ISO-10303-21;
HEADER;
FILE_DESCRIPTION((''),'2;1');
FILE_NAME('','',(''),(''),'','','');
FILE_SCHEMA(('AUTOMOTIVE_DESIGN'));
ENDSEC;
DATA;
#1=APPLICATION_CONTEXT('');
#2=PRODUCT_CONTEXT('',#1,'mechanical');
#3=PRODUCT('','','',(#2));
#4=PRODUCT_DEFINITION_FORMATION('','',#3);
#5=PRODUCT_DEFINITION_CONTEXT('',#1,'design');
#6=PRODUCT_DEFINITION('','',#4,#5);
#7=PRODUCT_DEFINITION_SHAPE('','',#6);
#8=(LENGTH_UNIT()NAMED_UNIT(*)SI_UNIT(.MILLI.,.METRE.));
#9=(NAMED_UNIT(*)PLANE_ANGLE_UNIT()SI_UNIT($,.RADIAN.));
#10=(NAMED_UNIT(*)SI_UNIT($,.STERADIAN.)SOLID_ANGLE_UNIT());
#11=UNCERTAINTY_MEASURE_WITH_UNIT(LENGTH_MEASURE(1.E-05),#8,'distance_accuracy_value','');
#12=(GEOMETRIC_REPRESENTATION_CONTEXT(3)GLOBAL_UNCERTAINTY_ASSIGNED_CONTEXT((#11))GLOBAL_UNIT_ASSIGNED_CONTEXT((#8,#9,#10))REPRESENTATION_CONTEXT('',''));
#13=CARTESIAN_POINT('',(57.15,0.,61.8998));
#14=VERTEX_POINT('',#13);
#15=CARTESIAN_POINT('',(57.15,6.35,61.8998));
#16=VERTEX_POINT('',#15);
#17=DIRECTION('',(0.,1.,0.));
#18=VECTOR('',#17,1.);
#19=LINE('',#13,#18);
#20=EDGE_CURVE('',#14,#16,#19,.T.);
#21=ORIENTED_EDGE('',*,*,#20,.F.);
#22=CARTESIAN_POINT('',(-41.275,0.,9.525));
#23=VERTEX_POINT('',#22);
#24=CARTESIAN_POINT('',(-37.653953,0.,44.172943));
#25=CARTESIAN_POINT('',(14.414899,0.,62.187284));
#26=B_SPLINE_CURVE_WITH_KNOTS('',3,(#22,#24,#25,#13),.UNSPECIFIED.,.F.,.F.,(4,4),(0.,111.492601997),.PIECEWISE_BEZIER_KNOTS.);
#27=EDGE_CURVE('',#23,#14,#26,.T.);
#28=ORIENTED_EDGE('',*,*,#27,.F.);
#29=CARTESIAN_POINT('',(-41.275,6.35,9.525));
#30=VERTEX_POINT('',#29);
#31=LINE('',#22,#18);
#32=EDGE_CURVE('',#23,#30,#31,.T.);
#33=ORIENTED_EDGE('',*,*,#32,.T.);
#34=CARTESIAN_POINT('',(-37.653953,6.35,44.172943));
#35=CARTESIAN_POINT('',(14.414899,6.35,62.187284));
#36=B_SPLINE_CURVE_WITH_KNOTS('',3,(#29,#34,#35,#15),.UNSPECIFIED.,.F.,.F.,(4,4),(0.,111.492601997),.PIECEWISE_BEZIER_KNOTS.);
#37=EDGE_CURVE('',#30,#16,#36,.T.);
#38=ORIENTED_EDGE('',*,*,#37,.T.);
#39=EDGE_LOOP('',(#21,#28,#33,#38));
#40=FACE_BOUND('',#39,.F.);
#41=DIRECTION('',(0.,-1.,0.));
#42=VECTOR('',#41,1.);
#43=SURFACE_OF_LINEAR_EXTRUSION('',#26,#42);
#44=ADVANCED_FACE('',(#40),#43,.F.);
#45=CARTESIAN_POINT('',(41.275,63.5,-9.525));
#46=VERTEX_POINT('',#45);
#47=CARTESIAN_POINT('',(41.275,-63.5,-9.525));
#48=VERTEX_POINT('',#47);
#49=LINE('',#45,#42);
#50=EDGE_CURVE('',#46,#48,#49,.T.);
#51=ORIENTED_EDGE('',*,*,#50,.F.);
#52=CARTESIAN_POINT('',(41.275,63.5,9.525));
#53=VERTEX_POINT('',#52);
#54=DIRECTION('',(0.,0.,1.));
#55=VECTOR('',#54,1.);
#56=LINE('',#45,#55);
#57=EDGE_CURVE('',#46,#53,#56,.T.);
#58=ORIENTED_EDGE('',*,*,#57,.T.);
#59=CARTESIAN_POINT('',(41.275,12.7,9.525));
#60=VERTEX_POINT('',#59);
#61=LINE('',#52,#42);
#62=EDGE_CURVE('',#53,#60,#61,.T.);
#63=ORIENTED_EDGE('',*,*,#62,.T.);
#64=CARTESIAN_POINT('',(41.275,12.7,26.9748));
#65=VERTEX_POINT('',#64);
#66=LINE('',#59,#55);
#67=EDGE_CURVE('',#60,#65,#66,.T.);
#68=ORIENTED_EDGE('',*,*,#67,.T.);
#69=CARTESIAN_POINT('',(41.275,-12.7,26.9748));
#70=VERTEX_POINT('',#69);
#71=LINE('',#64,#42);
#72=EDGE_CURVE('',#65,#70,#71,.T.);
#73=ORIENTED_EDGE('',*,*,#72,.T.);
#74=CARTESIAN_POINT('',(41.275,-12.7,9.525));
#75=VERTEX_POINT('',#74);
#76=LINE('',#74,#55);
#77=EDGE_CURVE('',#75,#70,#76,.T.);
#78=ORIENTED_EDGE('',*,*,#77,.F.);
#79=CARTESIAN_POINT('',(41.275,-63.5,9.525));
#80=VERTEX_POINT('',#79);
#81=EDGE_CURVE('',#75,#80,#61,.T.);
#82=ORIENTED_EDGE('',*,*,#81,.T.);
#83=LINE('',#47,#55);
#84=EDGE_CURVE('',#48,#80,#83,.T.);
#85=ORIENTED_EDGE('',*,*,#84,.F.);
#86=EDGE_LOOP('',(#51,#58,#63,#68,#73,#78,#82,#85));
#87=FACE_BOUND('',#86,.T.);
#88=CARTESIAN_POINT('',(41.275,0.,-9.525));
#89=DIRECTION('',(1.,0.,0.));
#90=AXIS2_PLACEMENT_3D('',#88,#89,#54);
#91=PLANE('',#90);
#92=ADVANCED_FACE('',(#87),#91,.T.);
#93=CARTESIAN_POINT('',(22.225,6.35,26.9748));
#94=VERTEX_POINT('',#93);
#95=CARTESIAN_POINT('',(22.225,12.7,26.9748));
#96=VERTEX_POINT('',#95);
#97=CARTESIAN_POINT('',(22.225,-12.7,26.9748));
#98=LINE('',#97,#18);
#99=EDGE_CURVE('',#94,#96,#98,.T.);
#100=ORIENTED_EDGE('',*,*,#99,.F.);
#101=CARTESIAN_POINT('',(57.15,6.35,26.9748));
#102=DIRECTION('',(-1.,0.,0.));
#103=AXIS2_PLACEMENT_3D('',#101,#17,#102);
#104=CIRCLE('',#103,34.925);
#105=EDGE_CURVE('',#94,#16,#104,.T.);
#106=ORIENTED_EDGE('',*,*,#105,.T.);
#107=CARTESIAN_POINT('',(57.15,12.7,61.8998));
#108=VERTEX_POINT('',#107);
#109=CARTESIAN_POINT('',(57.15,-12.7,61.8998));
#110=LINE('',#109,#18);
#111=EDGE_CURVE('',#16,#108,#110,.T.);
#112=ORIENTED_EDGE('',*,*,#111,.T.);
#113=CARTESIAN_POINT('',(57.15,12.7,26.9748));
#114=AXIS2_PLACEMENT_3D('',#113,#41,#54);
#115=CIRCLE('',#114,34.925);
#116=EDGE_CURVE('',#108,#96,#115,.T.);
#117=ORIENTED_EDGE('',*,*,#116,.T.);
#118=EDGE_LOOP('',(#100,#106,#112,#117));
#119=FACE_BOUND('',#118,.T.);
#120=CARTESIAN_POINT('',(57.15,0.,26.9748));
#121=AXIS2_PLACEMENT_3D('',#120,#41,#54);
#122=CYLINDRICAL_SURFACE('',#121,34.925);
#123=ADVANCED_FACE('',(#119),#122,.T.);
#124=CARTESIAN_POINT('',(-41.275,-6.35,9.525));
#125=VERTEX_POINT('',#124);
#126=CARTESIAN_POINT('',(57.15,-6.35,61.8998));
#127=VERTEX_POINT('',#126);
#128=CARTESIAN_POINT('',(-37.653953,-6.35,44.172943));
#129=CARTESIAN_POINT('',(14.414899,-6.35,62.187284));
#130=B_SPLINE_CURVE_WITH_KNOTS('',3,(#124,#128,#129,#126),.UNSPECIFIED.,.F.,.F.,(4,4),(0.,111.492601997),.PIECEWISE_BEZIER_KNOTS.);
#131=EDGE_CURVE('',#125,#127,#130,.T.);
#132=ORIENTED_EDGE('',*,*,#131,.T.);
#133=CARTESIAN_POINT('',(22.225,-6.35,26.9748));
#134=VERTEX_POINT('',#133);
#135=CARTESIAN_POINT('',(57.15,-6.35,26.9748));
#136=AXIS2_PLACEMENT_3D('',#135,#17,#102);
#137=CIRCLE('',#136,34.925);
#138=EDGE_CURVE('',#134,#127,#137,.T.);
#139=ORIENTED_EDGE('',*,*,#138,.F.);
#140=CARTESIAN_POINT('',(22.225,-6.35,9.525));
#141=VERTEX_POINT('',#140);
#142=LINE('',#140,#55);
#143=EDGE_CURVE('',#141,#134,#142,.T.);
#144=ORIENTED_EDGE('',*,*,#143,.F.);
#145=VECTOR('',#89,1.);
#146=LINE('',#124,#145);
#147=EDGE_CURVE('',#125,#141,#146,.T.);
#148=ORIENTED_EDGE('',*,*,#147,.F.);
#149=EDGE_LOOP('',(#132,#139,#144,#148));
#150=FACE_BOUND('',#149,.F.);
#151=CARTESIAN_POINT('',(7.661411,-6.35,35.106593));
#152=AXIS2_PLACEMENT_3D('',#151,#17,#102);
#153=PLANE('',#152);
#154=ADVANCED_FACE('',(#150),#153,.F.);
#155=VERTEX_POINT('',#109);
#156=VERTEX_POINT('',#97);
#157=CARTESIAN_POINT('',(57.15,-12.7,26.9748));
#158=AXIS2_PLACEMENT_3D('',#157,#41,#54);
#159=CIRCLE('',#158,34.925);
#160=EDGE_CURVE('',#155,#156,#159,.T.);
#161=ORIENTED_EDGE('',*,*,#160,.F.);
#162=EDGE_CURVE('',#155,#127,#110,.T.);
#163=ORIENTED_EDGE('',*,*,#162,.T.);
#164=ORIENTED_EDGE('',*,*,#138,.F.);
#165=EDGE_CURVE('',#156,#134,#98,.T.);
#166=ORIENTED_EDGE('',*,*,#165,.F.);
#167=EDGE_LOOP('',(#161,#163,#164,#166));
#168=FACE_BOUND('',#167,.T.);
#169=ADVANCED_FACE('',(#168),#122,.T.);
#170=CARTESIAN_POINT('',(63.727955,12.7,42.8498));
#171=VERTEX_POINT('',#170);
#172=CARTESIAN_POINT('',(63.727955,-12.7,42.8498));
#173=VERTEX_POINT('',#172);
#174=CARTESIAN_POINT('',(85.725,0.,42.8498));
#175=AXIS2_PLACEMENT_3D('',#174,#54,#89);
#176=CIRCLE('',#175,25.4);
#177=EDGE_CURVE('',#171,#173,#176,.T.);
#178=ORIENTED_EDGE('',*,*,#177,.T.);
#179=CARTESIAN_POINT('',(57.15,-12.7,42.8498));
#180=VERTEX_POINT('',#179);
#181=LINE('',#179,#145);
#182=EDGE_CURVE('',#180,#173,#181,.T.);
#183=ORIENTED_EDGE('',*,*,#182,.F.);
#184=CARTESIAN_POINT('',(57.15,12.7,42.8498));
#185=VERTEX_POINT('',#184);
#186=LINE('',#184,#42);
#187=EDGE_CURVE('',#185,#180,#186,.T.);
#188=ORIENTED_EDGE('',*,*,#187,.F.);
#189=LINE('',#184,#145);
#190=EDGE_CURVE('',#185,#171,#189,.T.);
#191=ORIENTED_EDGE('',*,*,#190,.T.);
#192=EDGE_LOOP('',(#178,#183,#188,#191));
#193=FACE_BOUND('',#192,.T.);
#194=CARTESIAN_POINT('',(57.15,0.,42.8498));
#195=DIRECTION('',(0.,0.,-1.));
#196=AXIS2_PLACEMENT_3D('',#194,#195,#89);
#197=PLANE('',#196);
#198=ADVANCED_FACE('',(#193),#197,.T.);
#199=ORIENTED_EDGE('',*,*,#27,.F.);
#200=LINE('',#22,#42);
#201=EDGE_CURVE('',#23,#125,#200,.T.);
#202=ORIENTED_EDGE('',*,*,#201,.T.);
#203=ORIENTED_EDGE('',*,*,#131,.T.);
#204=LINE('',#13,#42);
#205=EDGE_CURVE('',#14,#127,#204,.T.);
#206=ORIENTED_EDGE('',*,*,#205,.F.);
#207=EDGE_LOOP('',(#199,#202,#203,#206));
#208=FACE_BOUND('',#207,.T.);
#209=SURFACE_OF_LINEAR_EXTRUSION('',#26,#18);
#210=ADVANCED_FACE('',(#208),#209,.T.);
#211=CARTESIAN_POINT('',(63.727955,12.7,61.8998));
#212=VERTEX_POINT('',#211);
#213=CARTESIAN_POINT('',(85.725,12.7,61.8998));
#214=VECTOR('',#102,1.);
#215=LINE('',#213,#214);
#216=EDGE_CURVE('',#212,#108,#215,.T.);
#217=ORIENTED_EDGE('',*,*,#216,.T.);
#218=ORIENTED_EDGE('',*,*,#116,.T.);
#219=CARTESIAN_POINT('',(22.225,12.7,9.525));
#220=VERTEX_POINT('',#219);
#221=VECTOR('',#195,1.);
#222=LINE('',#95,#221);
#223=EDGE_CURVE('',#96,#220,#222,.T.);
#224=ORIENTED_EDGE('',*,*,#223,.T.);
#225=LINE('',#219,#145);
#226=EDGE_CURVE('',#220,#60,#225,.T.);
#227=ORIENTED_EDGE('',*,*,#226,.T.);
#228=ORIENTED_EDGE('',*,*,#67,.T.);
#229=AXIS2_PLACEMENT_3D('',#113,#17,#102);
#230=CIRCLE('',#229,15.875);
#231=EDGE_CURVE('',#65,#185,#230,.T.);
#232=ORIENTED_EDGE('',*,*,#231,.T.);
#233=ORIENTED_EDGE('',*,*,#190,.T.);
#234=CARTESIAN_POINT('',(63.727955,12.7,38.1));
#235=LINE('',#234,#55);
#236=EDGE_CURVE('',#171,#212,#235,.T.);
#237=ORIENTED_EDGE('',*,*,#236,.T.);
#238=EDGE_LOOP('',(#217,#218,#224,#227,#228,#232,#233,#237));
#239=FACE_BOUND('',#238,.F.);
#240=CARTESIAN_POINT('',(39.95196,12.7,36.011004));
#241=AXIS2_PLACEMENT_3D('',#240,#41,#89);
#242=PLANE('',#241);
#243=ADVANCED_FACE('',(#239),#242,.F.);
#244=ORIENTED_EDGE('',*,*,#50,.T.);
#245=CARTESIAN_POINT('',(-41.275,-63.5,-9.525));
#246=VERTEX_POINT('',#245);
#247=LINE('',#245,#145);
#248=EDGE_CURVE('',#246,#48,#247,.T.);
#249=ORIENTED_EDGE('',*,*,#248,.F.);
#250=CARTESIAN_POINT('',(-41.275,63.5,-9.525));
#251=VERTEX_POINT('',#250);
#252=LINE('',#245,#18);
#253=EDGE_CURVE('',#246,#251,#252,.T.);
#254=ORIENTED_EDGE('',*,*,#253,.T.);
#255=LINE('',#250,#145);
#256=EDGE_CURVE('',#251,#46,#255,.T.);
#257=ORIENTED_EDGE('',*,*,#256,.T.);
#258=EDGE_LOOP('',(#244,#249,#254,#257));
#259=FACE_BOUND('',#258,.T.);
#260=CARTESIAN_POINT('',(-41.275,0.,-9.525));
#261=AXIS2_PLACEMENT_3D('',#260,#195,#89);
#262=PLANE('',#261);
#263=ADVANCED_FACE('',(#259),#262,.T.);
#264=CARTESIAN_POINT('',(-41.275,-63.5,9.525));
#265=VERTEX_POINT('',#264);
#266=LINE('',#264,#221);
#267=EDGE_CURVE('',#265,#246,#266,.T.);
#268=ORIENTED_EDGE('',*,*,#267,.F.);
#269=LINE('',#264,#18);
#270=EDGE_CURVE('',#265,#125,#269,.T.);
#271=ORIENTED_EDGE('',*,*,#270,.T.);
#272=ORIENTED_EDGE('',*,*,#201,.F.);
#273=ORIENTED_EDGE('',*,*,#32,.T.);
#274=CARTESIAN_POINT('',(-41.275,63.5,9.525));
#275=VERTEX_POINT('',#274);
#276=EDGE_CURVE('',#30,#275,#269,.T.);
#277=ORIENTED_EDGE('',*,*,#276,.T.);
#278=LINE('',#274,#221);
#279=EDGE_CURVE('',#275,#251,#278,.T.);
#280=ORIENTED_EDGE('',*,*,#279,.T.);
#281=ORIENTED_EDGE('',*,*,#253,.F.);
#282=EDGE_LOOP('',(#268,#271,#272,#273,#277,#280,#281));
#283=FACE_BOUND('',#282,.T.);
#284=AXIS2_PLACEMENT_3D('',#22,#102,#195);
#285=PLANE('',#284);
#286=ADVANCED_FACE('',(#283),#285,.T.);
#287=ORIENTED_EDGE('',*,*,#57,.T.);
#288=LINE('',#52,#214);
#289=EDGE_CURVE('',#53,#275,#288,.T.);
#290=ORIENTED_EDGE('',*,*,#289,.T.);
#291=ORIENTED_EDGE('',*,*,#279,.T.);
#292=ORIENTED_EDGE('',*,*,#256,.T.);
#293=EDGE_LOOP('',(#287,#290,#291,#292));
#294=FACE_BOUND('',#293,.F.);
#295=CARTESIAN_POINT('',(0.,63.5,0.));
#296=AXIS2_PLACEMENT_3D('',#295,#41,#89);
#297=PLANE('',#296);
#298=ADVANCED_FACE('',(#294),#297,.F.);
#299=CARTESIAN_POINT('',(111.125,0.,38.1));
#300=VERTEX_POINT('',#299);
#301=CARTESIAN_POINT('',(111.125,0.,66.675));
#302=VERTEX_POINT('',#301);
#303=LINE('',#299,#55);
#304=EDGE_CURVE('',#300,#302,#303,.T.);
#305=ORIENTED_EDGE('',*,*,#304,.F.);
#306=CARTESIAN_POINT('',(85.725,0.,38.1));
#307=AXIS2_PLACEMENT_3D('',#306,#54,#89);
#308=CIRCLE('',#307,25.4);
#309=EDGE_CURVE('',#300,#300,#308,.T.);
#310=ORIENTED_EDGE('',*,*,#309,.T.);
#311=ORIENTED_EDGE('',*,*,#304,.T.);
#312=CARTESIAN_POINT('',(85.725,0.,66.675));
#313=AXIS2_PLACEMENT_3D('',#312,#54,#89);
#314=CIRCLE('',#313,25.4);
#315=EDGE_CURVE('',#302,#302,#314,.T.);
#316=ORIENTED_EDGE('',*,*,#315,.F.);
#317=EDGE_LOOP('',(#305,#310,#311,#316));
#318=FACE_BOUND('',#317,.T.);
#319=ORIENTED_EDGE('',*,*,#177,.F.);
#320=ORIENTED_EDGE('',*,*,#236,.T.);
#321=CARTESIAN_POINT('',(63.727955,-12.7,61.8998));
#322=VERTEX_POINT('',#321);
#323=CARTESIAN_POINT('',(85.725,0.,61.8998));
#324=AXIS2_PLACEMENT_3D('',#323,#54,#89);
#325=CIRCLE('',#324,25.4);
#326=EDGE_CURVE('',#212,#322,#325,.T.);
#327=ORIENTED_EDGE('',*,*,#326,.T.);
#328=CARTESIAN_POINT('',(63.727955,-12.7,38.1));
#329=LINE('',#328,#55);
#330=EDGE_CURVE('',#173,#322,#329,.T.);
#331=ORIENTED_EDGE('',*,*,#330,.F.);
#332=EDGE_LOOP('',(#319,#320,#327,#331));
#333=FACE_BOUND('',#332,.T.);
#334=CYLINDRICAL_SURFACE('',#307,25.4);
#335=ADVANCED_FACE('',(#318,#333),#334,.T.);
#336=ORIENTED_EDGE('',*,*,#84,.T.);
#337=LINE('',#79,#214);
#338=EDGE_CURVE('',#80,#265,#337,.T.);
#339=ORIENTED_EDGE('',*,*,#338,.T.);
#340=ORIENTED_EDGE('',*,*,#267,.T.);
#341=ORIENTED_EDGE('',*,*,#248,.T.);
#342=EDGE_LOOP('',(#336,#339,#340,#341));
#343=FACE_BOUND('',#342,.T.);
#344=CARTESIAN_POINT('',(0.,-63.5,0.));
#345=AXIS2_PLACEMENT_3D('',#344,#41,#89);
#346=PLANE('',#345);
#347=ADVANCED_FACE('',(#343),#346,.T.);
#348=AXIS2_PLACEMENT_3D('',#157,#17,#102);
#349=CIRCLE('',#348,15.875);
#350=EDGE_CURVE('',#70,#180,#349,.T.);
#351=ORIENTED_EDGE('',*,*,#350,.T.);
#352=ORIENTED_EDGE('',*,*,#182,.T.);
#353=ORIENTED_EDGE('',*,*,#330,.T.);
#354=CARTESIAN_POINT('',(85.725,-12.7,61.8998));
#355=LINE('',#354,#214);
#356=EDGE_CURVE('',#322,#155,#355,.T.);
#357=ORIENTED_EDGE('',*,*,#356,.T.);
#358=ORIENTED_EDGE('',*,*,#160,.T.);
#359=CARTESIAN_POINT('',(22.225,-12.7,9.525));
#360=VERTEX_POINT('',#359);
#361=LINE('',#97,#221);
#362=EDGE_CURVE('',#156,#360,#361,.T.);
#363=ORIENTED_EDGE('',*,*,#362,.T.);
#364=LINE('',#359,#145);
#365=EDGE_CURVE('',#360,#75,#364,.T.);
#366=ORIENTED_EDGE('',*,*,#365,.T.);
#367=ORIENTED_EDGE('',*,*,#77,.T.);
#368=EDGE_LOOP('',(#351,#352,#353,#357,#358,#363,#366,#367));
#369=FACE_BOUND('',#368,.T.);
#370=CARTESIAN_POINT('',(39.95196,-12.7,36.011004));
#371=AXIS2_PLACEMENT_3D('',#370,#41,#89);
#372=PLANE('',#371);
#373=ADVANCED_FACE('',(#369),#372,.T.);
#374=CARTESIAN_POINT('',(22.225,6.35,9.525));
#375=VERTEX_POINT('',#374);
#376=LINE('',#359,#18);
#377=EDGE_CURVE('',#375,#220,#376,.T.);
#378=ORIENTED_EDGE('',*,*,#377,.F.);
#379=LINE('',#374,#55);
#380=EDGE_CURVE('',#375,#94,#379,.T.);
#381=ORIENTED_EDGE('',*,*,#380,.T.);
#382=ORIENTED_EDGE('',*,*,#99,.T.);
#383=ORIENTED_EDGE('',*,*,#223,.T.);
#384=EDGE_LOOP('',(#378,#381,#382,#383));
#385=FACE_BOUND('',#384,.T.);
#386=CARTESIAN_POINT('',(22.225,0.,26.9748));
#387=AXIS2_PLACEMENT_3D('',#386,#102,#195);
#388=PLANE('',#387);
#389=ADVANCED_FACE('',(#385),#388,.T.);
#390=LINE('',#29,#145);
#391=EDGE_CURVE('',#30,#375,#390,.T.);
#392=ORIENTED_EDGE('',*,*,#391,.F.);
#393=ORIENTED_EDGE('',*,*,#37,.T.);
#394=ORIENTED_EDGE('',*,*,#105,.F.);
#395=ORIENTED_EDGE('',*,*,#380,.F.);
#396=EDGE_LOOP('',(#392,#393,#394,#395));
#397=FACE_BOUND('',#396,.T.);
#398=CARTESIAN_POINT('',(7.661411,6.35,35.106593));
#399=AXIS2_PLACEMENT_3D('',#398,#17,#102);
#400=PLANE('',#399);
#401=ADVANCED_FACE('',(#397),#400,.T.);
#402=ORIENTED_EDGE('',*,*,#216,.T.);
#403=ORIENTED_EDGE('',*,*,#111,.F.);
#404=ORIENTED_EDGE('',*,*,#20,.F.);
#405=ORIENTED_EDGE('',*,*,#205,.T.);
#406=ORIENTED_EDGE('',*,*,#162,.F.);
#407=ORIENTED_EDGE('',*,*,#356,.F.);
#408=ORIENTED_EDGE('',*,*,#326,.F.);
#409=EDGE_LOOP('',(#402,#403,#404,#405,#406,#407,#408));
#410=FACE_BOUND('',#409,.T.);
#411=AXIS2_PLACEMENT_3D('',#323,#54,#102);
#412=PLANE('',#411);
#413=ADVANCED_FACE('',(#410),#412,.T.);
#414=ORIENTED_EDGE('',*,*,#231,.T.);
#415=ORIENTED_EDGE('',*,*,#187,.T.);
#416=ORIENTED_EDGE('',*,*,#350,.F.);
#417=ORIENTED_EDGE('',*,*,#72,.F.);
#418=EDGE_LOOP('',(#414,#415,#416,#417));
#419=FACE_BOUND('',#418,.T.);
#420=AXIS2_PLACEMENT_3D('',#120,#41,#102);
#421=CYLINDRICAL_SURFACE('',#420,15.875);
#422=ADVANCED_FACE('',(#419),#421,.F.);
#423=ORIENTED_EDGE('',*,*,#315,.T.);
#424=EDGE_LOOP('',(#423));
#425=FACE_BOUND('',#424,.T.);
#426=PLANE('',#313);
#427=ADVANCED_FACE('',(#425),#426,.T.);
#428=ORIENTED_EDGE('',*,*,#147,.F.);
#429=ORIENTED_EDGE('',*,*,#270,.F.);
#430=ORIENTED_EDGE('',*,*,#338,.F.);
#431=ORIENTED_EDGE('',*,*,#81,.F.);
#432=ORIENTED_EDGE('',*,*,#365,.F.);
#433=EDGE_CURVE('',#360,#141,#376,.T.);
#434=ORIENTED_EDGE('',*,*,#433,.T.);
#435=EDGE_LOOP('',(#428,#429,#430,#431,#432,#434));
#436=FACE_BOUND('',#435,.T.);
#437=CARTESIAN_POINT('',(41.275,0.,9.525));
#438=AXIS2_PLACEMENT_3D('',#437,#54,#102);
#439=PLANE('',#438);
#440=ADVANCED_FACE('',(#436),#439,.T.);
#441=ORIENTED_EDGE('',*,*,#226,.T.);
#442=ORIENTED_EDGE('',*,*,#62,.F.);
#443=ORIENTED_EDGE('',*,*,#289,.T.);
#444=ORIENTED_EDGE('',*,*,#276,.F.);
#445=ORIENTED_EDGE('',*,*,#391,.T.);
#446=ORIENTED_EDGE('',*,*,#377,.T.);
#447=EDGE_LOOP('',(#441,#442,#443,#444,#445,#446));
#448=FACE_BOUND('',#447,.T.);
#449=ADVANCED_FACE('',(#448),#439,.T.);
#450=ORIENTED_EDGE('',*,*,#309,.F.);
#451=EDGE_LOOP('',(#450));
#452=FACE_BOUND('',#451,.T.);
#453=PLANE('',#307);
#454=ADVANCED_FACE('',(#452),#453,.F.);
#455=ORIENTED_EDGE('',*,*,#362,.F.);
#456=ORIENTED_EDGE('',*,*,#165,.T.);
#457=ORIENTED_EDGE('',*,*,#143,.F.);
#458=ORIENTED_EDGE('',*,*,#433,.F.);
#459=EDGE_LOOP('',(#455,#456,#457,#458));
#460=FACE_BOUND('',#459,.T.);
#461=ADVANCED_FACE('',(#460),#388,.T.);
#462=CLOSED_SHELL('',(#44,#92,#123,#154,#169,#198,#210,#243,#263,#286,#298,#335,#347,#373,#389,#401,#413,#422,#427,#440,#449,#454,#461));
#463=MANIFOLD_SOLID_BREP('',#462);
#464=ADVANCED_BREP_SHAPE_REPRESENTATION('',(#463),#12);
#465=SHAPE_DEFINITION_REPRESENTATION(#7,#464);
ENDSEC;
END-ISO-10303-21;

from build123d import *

# Parameters (mm, degrees)
F1_DEPTH = 63.5
F0_W     = 25.4
F0_H     = 19.05
F2_DEPTH = 12.7
F3_DEPTH = 6.35


with BuildPart() as f1:
    # F0 (on Front) → F1 (new body, symmetric)
    with BuildSketch(Plane.XZ):
        Polygon((-41.275, -9.525), (41.275, -9.525), (41.275, 9.525), (22.225, 9.525), (-41.275, 9.525), align=None)
    extrude(amount=F1_DEPTH, both=True)

    # F0 (on Front) → F2 (join, symmetric)
    with BuildSketch(Plane.XZ):
        with BuildLine():
            Line((22.225, 9.525), (41.275, 9.525))
            Line((41.275, 9.525), (41.275, 26.9748))
            ThreePointArc((41.275, 26.9748), (45.9246798487, 38.2001201513), (57.15, 42.8498))
            Line((57.15, 42.8498), (60.325, 42.8498))
            Line((60.325, 42.8498), (60.325, 61.8998))
            Line((60.325, 61.8998), (57.15, 61.8998))
            ThreePointArc((57.15, 61.8998), (32.4542956671, 51.6705043329), (22.225, 26.9748))
            Line((22.225, 26.9748), (22.225, 9.525))
        make_face()
        with Locations((73.025, 52.3748)):
            Rectangle(F0_W, F0_H)
    extrude(amount=F2_DEPTH, both=True)

    # F0 (on Front) → F3 (join, symmetric)
    with BuildSketch(Plane.XZ):
        with BuildLine():
            add(Edge.make_bspline(
                [(-41.275, 9.525), (-37.653952837, 44.1729426384), (14.4148990512, 62.1872842312), (57.15, 61.8998)],
                knots=[0, 0, 0, 0, 111.4926019969, 111.4926019969, 111.4926019969, 111.4926019969], degree=3))
            Line((-41.275, 9.525), (22.225, 9.525))
            Line((22.225, 9.525), (22.225, 26.9748))
            ThreePointArc((22.225, 26.9748), (32.4542956671, 51.6705043329), (57.15, 61.8998))
        make_face()
    extrude(amount=F3_DEPTH, both=True)

    # F0 (on Front) → F4 (revolve)
    with BuildSketch(Plane.XZ):
        Polygon((85.725, 66.675), (85.725, 61.8998), (85.725, 42.8498), (85.725, 38.1), (111.125, 38.1), (111.125, 66.675), align=None)
    revolve(axis=Axis((85.725, 0, 52.3875), (0, 0, 1)))


solid = f1.part
